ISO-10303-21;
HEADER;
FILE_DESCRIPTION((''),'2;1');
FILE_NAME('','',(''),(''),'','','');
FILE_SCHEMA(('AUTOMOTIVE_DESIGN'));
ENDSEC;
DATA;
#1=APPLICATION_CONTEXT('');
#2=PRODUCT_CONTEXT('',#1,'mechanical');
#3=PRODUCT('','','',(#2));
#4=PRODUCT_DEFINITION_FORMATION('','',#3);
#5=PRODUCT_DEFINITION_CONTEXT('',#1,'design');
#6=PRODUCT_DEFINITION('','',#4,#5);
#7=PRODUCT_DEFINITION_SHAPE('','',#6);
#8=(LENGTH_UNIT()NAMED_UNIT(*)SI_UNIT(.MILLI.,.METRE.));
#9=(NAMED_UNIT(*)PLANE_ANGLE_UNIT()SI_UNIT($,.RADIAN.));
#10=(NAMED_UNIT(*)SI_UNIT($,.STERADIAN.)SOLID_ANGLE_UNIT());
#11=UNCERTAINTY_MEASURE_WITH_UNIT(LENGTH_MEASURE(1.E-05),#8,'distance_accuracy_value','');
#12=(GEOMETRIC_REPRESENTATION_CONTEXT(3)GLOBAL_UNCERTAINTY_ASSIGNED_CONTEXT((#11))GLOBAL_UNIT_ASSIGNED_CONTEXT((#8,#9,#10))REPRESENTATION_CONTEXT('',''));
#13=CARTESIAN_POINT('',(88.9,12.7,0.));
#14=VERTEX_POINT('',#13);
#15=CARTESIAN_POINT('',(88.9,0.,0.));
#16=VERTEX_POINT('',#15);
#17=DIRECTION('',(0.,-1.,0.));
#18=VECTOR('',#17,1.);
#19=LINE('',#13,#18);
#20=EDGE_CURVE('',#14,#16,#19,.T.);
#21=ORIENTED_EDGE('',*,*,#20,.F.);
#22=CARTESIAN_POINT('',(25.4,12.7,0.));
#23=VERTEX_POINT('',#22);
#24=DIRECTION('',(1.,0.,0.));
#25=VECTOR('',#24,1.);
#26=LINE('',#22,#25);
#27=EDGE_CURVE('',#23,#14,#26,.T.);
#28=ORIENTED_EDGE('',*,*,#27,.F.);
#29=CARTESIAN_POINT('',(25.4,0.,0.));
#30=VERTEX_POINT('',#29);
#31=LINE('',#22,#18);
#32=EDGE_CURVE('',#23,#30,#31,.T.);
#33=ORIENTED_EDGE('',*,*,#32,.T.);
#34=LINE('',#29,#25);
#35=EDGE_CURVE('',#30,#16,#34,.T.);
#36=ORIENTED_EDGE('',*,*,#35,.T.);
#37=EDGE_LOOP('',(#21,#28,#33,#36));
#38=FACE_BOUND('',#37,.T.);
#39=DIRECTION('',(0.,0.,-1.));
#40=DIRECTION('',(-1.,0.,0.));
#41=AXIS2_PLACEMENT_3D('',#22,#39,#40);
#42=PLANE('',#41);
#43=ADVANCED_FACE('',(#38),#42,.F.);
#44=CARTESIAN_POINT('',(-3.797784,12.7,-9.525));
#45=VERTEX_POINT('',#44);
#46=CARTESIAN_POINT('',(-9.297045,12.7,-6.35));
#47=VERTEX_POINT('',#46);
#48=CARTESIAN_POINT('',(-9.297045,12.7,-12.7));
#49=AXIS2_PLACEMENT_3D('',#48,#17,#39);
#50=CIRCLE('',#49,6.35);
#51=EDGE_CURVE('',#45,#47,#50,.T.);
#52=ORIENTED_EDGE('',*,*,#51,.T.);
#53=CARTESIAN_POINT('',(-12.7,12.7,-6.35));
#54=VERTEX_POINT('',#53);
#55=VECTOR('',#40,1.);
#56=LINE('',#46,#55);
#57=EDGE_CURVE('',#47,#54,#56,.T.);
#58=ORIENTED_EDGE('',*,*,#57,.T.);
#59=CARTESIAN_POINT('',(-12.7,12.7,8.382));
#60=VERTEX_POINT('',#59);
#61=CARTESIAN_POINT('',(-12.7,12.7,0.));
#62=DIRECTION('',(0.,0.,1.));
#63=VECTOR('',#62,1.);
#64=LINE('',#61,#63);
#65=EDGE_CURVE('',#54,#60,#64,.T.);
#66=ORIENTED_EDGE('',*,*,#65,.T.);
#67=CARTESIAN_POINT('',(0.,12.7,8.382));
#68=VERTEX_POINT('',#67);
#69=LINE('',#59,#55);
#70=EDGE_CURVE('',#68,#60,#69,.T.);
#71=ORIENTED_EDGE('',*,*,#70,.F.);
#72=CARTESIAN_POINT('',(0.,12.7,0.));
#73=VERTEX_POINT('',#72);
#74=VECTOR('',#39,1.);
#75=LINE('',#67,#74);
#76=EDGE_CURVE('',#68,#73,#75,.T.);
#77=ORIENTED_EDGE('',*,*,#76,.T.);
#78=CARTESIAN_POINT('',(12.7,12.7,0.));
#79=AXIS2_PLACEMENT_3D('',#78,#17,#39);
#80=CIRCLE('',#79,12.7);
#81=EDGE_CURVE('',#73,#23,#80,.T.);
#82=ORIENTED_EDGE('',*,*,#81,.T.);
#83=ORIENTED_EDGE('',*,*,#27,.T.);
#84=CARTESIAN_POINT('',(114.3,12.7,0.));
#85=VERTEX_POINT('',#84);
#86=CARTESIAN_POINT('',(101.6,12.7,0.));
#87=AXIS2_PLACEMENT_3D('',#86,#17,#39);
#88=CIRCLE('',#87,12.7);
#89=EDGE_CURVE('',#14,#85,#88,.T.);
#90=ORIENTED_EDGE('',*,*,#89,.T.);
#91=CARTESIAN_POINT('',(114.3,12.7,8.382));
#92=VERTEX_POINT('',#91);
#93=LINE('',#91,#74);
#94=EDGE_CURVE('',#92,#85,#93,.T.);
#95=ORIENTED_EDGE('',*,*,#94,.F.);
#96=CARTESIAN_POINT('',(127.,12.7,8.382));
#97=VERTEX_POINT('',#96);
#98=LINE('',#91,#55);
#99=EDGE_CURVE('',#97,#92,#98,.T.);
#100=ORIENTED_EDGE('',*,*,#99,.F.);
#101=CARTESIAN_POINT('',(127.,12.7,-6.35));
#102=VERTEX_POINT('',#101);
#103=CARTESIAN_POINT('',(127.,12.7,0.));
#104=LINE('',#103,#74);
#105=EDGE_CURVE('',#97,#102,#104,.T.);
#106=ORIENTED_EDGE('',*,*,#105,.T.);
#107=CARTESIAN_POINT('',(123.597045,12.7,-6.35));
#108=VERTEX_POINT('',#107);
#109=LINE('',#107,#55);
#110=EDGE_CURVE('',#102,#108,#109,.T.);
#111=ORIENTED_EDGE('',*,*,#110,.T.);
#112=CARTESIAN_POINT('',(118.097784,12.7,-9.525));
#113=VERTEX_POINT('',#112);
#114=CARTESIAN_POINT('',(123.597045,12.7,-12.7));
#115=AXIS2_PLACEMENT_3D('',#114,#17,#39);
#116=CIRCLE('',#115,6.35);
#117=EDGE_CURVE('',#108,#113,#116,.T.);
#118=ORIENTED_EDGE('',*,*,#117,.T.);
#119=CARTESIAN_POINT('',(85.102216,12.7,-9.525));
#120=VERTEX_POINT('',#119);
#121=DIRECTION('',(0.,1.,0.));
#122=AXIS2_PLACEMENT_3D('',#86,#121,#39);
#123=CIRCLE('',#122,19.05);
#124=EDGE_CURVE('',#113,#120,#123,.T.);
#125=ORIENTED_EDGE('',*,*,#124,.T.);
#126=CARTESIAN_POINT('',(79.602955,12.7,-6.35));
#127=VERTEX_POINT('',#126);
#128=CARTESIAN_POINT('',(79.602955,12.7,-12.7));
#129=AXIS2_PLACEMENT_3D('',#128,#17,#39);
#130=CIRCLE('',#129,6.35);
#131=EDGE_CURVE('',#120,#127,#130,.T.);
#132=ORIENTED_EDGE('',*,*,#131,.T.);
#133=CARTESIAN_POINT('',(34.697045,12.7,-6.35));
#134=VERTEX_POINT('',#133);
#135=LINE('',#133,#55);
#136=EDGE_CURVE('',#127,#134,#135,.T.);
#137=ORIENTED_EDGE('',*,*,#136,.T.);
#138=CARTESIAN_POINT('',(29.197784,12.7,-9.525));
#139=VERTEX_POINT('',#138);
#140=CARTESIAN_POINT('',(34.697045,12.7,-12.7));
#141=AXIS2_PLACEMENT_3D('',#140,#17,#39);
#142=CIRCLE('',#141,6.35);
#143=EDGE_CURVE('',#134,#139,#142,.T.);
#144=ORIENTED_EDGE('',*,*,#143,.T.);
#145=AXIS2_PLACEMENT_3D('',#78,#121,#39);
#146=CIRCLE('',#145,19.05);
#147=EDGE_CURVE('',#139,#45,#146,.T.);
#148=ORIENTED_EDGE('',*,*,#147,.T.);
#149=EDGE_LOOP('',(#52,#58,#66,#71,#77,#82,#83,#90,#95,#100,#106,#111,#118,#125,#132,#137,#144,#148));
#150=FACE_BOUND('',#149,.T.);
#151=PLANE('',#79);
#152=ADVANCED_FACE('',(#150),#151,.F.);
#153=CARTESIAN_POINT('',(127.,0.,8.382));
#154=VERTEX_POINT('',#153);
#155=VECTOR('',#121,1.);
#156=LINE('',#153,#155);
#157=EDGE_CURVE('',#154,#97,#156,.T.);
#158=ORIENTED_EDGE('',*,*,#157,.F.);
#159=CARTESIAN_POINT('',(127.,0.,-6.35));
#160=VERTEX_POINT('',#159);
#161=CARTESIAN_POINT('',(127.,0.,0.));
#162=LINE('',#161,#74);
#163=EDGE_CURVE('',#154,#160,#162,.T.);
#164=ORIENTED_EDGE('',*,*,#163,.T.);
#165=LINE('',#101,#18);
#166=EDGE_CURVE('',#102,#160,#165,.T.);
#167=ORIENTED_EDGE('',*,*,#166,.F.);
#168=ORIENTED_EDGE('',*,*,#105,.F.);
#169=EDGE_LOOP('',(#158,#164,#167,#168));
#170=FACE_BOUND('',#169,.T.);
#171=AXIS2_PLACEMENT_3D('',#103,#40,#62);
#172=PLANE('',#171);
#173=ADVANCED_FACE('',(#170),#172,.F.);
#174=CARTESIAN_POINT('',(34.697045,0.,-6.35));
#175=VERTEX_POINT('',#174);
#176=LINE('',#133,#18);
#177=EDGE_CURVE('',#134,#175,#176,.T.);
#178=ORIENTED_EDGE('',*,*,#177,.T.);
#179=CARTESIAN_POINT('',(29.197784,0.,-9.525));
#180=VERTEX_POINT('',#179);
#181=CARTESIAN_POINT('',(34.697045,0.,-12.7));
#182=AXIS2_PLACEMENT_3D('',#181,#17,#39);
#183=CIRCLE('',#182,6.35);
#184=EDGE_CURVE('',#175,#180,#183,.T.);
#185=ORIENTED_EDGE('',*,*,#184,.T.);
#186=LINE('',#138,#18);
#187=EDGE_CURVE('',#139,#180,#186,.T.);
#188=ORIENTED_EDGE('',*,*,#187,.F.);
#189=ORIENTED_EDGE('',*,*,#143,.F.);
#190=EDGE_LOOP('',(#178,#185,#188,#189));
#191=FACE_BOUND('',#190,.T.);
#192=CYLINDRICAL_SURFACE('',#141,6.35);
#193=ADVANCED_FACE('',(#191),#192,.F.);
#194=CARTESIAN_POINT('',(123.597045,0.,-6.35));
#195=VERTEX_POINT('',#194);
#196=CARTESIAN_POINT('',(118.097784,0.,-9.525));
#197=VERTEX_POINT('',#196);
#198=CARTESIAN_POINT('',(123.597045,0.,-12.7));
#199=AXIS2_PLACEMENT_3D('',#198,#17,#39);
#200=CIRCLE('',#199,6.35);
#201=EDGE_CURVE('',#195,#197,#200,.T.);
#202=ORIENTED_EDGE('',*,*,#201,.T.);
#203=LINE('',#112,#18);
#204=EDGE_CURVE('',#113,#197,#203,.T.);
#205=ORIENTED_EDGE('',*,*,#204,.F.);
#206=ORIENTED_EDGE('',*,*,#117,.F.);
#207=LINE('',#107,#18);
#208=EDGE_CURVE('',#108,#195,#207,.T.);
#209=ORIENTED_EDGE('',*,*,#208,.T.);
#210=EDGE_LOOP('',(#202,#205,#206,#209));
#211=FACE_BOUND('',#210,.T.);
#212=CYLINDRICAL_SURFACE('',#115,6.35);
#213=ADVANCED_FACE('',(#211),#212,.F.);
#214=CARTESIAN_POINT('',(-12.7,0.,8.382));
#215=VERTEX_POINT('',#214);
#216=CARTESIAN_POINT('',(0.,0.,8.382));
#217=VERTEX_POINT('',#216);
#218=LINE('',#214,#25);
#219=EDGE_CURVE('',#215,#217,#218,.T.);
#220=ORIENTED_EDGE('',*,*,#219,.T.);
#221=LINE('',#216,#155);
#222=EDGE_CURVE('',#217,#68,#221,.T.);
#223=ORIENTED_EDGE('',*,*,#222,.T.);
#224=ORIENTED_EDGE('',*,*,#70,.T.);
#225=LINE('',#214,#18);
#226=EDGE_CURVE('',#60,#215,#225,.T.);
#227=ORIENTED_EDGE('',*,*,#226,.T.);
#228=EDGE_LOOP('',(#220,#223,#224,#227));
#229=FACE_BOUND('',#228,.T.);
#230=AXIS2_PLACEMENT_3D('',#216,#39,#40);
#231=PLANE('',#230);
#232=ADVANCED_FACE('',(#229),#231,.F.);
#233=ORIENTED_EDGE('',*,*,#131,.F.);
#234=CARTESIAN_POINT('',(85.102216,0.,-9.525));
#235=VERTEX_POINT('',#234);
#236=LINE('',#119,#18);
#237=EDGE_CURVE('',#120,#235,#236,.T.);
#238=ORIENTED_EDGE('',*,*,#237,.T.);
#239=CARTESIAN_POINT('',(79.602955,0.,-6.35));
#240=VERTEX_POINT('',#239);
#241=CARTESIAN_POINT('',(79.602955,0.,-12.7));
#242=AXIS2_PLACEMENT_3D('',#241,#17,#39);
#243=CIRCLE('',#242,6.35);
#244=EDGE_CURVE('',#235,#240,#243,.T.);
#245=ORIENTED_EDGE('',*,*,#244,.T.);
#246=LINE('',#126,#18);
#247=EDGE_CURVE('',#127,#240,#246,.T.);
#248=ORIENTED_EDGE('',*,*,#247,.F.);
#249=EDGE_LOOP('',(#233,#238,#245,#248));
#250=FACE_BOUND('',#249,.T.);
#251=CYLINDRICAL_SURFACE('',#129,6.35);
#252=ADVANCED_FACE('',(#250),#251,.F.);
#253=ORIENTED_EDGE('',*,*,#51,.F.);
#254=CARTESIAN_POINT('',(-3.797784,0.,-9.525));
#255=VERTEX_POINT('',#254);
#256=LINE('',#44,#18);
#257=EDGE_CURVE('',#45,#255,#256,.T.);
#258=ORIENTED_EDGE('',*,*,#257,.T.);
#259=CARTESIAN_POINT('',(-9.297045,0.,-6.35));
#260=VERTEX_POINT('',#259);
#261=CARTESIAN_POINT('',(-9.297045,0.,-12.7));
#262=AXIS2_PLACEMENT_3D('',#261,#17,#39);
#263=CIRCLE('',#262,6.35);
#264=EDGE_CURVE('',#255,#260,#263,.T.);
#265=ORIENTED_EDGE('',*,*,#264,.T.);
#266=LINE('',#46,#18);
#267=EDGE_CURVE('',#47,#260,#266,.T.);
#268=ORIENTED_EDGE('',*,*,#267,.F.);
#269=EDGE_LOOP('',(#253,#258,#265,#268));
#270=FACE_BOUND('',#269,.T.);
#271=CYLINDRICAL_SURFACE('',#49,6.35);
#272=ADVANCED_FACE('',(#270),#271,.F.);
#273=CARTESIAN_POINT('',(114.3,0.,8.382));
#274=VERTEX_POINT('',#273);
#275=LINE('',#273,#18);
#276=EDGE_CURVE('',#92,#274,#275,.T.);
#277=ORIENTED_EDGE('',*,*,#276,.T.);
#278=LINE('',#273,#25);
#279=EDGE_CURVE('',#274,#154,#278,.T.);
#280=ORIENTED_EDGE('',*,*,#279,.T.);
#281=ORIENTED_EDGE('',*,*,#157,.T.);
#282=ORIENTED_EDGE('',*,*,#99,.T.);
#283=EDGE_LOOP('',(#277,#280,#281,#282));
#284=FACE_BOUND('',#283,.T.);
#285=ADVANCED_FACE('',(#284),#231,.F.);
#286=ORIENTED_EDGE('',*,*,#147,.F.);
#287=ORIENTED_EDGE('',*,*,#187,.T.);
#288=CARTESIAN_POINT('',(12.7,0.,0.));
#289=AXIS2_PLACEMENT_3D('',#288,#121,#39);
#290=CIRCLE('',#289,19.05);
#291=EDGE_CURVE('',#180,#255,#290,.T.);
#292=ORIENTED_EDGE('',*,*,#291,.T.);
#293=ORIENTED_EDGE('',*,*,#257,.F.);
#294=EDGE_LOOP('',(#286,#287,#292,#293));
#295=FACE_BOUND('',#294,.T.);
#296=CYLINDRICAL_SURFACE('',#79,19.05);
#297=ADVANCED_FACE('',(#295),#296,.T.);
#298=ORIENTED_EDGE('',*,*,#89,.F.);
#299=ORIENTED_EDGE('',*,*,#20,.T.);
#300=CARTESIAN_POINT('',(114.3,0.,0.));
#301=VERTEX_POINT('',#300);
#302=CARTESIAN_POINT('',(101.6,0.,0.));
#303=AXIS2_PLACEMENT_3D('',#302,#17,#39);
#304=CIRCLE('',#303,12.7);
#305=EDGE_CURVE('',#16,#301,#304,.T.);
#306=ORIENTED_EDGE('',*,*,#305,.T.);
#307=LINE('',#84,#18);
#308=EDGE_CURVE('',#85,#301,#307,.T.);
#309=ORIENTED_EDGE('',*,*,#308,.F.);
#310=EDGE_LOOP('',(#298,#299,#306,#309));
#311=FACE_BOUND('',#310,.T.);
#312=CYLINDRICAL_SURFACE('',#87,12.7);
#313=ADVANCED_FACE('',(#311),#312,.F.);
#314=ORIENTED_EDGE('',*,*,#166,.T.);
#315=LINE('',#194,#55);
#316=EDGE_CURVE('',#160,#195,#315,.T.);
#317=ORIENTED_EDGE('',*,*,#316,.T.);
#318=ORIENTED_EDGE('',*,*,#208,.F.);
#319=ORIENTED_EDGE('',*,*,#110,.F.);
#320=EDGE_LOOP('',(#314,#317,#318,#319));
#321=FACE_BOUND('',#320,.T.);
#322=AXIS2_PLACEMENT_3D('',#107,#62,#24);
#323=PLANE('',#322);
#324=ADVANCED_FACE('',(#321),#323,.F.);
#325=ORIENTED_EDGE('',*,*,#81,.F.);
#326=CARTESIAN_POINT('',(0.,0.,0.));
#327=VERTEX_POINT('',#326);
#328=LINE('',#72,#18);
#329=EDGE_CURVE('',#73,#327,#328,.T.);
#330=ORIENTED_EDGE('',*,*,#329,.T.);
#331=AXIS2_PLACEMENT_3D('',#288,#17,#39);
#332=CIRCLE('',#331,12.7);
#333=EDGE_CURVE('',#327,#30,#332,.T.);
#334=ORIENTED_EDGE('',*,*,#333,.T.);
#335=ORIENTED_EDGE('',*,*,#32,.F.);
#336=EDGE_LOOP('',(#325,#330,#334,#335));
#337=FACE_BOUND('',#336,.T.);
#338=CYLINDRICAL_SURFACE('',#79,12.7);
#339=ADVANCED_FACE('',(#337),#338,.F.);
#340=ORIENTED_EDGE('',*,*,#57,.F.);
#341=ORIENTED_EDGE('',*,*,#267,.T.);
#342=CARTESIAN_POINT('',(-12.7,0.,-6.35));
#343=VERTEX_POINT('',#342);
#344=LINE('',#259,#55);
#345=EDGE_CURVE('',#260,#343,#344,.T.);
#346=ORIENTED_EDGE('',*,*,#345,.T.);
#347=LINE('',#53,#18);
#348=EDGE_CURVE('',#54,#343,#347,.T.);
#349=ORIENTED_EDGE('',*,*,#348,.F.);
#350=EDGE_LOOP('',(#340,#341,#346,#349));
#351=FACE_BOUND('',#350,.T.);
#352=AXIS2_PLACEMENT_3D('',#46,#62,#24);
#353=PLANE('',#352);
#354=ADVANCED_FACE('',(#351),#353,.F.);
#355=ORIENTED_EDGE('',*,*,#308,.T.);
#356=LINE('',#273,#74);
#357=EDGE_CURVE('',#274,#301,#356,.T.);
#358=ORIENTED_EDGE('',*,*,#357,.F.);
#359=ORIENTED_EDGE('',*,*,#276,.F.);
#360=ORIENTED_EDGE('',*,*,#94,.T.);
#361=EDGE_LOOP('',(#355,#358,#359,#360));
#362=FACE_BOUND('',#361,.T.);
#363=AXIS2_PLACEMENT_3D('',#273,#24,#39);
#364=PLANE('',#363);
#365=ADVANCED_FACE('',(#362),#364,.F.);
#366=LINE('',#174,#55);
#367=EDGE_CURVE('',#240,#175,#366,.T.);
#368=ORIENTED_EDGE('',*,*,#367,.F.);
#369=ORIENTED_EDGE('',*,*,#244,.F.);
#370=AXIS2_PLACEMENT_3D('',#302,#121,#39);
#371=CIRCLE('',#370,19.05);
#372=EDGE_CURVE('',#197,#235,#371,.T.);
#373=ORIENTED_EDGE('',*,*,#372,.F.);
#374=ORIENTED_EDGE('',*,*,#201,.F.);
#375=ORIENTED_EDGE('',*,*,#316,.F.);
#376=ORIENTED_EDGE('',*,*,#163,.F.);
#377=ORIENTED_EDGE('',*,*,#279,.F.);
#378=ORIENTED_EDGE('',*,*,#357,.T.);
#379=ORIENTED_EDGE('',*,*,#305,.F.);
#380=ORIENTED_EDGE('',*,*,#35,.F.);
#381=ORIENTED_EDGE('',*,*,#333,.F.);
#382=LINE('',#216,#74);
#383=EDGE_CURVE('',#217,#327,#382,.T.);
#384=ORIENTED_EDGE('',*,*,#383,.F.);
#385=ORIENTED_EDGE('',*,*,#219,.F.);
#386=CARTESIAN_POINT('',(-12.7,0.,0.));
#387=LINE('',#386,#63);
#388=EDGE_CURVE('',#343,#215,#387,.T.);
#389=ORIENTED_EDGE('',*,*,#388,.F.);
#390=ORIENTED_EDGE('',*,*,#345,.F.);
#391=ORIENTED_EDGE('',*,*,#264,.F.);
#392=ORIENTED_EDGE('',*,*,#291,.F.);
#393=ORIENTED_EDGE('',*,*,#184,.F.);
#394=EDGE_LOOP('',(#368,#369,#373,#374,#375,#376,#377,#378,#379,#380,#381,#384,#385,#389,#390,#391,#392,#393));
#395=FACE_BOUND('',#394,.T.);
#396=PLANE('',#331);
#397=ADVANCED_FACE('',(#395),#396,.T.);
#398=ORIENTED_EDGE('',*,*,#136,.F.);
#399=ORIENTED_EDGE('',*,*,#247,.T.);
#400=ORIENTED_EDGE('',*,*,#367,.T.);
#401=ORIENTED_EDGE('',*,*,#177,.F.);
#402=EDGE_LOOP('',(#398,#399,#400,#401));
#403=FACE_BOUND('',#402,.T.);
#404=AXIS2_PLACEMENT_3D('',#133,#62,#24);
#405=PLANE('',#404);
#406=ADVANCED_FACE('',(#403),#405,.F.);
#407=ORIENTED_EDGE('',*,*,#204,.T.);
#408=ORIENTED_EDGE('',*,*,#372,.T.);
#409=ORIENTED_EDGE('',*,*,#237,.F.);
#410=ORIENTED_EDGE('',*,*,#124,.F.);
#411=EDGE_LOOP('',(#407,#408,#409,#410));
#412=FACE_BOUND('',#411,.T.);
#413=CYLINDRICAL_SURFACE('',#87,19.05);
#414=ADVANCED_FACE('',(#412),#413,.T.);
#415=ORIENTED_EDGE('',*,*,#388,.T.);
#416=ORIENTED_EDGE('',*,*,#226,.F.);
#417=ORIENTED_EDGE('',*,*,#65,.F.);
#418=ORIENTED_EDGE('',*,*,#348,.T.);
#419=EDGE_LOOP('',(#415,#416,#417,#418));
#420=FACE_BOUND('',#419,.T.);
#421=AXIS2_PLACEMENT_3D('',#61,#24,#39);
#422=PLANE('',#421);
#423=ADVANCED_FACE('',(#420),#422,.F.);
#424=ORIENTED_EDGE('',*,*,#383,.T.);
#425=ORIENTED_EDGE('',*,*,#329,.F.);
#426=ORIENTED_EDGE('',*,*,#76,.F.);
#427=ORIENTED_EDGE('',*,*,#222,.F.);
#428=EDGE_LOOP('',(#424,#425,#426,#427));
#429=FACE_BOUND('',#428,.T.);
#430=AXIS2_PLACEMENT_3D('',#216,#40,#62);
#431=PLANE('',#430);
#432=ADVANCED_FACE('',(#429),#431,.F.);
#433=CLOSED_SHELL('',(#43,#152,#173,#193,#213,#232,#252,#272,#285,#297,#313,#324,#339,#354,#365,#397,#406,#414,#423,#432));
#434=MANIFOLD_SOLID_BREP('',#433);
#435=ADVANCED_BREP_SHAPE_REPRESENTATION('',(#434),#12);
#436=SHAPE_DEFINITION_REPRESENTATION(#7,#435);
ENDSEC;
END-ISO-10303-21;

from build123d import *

# Parameters (mm, degrees)
BOSS_EXTRUDE1_DEPTH = 12.7
SKETCH2_W           = 12.7
SKETCH2_H           = 12.7
BOSS_EXTRUDE2_DEPTH = 8.382


with BuildPart() as part:
    # Sketch1 → Boss-Extrude1 (new body)
    with BuildSketch(Plane(origin=(0, 0, 0), x_dir=(1, 0, 0), z_dir=(0, 1, 0))):
        with BuildLine():
            Line((25.4, 0), (88.9, 0))
            ThreePointArc((88.9, 0), (101.6, 12.7), (114.3, 0))
            Line((114.3, 0), (127, 0))
            Line((127, 0), (127, 6.35))
            Line((127, 6.35), (123.597045256, 6.35))
            ThreePointArc((123.597045256, 6.35), (120.422045256, 7.200738686), (118.097783942, 9.525))
            ThreePointArc((118.097783942, 9.525), (101.6, 19.05), (85.102216058, 9.525))
            ThreePointArc((85.102216058, 9.525), (82.777954744, 7.200738686), (79.602954744, 6.35))
            Line((79.602954744, 6.35), (34.697045256, 6.35))
            ThreePointArc((34.697045256, 6.35), (31.522045256, 7.200738686), (29.197783942, 9.525))
            ThreePointArc((29.197783942, 9.525), (12.7, 19.05), (-3.797783942, 9.525))
            ThreePointArc((-3.797783942, 9.525), (-6.122045256, 7.200738686), (-9.297045256, 6.35))
            Line((-9.297045256, 6.35), (-12.7, 6.35))
            Line((-12.7, 6.35), (-12.7, 0))
            Line((-12.7, 0), (0, 0))
            ThreePointArc((0, 0), (12.7, 12.7), (25.4, 0))
        make_face()
    extrude(amount=BOSS_EXTRUDE1_DEPTH)

    # Sketch2 → Boss-Extrude2 (add)
    with BuildSketch(Plane.XY):
        with Locations((-6.35, 6.35)):
            Rectangle(SKETCH2_W, SKETCH2_H)
        with Locations((120.65, 6.35)):
            Rectangle(SKETCH2_W, SKETCH2_H)
    extrude(amount=BOSS_EXTRUDE2_DEPTH)


solid = part.part
